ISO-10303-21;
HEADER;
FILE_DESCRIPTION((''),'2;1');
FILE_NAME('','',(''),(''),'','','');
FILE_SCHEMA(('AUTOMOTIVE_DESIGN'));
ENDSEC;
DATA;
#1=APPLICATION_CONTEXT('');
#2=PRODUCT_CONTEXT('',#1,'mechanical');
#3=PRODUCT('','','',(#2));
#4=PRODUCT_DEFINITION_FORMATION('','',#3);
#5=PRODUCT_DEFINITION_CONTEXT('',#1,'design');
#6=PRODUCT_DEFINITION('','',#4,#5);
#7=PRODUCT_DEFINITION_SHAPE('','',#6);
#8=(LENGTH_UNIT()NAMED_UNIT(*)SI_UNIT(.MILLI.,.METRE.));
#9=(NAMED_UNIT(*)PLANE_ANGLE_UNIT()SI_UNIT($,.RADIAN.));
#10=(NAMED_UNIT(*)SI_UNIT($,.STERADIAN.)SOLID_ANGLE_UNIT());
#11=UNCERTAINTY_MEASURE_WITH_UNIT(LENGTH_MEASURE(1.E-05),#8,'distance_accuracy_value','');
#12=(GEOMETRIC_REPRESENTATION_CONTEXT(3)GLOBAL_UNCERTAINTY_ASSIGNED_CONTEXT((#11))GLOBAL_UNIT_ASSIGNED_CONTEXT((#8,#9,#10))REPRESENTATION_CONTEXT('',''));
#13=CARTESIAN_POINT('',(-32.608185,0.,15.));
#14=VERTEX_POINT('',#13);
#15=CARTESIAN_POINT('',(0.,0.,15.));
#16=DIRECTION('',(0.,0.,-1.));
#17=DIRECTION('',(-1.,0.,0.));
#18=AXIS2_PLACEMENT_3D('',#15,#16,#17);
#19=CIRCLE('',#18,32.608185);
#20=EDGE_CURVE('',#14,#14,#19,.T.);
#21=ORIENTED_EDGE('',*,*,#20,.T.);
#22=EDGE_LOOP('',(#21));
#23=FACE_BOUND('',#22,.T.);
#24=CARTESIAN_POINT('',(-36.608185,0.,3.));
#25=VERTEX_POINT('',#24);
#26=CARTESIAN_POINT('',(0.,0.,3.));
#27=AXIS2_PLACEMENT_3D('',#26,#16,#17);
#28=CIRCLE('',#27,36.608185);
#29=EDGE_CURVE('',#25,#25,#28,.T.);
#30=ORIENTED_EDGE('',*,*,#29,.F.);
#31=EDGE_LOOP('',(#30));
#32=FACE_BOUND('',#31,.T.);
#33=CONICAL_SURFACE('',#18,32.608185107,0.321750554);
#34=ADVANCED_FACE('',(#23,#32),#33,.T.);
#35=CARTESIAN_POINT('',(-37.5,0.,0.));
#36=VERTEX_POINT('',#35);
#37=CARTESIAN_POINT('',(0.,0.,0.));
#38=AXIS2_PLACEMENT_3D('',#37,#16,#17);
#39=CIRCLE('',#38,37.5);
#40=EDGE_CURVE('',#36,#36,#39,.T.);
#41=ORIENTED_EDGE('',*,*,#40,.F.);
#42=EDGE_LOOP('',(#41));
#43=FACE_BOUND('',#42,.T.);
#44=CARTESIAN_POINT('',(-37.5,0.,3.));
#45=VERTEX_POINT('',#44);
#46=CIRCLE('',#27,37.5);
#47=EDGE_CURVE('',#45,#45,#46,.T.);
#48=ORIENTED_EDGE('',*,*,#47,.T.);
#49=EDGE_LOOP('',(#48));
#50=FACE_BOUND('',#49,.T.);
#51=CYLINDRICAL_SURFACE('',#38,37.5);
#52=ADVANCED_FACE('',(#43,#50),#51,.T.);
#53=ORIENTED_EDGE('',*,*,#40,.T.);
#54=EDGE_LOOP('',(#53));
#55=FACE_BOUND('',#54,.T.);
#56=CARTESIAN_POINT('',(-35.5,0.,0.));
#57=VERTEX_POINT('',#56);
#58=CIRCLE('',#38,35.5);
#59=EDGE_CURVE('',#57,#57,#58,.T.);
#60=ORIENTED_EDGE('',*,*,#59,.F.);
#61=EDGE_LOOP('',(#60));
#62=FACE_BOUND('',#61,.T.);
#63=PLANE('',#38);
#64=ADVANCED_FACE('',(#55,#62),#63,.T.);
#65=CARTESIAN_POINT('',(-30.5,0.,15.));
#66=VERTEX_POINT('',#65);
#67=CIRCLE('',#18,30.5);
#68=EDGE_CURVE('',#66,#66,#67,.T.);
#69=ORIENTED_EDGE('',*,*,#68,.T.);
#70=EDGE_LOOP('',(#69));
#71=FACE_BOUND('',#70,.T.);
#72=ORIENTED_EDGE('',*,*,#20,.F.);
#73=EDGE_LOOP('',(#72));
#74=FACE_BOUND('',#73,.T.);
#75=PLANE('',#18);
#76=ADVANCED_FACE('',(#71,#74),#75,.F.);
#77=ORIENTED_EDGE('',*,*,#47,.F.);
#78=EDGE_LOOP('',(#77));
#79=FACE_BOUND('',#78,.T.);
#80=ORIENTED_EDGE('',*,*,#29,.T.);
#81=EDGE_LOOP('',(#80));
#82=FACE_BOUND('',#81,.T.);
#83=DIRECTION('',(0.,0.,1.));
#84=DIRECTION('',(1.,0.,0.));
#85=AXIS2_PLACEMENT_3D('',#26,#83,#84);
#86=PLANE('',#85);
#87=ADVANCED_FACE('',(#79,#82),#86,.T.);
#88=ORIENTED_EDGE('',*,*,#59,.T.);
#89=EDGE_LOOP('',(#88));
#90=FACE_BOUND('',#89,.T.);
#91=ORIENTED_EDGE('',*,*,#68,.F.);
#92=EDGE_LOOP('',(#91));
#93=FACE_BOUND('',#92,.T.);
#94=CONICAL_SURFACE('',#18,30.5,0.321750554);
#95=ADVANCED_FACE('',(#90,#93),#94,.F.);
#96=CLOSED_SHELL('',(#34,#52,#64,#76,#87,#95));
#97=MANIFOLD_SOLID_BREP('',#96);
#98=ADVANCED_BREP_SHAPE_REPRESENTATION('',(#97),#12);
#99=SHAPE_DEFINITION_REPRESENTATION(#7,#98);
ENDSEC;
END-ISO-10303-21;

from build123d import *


with BuildPart() as part:
    # Sketch1 → Revolve1 (revolve)
    with BuildSketch(Plane(origin=(0, 0, 0), x_dir=(1, 0, 0), z_dir=(0, 1, 0)), mode=Mode.PRIVATE) as revolve1_sk:
        Polygon((37.5, 0), (37.5, -3), (36.608185107, -3), (32.608185107, -15), (30.5, -15), (35.5, 0), align=None)
    revolve(revolve1_sk.sketch.rotate(Axis((0, 0, 0), (0, 0, 1)), 180), axis=Axis((0, 0, 0), (0, 0, 1)))


solid = part.part
